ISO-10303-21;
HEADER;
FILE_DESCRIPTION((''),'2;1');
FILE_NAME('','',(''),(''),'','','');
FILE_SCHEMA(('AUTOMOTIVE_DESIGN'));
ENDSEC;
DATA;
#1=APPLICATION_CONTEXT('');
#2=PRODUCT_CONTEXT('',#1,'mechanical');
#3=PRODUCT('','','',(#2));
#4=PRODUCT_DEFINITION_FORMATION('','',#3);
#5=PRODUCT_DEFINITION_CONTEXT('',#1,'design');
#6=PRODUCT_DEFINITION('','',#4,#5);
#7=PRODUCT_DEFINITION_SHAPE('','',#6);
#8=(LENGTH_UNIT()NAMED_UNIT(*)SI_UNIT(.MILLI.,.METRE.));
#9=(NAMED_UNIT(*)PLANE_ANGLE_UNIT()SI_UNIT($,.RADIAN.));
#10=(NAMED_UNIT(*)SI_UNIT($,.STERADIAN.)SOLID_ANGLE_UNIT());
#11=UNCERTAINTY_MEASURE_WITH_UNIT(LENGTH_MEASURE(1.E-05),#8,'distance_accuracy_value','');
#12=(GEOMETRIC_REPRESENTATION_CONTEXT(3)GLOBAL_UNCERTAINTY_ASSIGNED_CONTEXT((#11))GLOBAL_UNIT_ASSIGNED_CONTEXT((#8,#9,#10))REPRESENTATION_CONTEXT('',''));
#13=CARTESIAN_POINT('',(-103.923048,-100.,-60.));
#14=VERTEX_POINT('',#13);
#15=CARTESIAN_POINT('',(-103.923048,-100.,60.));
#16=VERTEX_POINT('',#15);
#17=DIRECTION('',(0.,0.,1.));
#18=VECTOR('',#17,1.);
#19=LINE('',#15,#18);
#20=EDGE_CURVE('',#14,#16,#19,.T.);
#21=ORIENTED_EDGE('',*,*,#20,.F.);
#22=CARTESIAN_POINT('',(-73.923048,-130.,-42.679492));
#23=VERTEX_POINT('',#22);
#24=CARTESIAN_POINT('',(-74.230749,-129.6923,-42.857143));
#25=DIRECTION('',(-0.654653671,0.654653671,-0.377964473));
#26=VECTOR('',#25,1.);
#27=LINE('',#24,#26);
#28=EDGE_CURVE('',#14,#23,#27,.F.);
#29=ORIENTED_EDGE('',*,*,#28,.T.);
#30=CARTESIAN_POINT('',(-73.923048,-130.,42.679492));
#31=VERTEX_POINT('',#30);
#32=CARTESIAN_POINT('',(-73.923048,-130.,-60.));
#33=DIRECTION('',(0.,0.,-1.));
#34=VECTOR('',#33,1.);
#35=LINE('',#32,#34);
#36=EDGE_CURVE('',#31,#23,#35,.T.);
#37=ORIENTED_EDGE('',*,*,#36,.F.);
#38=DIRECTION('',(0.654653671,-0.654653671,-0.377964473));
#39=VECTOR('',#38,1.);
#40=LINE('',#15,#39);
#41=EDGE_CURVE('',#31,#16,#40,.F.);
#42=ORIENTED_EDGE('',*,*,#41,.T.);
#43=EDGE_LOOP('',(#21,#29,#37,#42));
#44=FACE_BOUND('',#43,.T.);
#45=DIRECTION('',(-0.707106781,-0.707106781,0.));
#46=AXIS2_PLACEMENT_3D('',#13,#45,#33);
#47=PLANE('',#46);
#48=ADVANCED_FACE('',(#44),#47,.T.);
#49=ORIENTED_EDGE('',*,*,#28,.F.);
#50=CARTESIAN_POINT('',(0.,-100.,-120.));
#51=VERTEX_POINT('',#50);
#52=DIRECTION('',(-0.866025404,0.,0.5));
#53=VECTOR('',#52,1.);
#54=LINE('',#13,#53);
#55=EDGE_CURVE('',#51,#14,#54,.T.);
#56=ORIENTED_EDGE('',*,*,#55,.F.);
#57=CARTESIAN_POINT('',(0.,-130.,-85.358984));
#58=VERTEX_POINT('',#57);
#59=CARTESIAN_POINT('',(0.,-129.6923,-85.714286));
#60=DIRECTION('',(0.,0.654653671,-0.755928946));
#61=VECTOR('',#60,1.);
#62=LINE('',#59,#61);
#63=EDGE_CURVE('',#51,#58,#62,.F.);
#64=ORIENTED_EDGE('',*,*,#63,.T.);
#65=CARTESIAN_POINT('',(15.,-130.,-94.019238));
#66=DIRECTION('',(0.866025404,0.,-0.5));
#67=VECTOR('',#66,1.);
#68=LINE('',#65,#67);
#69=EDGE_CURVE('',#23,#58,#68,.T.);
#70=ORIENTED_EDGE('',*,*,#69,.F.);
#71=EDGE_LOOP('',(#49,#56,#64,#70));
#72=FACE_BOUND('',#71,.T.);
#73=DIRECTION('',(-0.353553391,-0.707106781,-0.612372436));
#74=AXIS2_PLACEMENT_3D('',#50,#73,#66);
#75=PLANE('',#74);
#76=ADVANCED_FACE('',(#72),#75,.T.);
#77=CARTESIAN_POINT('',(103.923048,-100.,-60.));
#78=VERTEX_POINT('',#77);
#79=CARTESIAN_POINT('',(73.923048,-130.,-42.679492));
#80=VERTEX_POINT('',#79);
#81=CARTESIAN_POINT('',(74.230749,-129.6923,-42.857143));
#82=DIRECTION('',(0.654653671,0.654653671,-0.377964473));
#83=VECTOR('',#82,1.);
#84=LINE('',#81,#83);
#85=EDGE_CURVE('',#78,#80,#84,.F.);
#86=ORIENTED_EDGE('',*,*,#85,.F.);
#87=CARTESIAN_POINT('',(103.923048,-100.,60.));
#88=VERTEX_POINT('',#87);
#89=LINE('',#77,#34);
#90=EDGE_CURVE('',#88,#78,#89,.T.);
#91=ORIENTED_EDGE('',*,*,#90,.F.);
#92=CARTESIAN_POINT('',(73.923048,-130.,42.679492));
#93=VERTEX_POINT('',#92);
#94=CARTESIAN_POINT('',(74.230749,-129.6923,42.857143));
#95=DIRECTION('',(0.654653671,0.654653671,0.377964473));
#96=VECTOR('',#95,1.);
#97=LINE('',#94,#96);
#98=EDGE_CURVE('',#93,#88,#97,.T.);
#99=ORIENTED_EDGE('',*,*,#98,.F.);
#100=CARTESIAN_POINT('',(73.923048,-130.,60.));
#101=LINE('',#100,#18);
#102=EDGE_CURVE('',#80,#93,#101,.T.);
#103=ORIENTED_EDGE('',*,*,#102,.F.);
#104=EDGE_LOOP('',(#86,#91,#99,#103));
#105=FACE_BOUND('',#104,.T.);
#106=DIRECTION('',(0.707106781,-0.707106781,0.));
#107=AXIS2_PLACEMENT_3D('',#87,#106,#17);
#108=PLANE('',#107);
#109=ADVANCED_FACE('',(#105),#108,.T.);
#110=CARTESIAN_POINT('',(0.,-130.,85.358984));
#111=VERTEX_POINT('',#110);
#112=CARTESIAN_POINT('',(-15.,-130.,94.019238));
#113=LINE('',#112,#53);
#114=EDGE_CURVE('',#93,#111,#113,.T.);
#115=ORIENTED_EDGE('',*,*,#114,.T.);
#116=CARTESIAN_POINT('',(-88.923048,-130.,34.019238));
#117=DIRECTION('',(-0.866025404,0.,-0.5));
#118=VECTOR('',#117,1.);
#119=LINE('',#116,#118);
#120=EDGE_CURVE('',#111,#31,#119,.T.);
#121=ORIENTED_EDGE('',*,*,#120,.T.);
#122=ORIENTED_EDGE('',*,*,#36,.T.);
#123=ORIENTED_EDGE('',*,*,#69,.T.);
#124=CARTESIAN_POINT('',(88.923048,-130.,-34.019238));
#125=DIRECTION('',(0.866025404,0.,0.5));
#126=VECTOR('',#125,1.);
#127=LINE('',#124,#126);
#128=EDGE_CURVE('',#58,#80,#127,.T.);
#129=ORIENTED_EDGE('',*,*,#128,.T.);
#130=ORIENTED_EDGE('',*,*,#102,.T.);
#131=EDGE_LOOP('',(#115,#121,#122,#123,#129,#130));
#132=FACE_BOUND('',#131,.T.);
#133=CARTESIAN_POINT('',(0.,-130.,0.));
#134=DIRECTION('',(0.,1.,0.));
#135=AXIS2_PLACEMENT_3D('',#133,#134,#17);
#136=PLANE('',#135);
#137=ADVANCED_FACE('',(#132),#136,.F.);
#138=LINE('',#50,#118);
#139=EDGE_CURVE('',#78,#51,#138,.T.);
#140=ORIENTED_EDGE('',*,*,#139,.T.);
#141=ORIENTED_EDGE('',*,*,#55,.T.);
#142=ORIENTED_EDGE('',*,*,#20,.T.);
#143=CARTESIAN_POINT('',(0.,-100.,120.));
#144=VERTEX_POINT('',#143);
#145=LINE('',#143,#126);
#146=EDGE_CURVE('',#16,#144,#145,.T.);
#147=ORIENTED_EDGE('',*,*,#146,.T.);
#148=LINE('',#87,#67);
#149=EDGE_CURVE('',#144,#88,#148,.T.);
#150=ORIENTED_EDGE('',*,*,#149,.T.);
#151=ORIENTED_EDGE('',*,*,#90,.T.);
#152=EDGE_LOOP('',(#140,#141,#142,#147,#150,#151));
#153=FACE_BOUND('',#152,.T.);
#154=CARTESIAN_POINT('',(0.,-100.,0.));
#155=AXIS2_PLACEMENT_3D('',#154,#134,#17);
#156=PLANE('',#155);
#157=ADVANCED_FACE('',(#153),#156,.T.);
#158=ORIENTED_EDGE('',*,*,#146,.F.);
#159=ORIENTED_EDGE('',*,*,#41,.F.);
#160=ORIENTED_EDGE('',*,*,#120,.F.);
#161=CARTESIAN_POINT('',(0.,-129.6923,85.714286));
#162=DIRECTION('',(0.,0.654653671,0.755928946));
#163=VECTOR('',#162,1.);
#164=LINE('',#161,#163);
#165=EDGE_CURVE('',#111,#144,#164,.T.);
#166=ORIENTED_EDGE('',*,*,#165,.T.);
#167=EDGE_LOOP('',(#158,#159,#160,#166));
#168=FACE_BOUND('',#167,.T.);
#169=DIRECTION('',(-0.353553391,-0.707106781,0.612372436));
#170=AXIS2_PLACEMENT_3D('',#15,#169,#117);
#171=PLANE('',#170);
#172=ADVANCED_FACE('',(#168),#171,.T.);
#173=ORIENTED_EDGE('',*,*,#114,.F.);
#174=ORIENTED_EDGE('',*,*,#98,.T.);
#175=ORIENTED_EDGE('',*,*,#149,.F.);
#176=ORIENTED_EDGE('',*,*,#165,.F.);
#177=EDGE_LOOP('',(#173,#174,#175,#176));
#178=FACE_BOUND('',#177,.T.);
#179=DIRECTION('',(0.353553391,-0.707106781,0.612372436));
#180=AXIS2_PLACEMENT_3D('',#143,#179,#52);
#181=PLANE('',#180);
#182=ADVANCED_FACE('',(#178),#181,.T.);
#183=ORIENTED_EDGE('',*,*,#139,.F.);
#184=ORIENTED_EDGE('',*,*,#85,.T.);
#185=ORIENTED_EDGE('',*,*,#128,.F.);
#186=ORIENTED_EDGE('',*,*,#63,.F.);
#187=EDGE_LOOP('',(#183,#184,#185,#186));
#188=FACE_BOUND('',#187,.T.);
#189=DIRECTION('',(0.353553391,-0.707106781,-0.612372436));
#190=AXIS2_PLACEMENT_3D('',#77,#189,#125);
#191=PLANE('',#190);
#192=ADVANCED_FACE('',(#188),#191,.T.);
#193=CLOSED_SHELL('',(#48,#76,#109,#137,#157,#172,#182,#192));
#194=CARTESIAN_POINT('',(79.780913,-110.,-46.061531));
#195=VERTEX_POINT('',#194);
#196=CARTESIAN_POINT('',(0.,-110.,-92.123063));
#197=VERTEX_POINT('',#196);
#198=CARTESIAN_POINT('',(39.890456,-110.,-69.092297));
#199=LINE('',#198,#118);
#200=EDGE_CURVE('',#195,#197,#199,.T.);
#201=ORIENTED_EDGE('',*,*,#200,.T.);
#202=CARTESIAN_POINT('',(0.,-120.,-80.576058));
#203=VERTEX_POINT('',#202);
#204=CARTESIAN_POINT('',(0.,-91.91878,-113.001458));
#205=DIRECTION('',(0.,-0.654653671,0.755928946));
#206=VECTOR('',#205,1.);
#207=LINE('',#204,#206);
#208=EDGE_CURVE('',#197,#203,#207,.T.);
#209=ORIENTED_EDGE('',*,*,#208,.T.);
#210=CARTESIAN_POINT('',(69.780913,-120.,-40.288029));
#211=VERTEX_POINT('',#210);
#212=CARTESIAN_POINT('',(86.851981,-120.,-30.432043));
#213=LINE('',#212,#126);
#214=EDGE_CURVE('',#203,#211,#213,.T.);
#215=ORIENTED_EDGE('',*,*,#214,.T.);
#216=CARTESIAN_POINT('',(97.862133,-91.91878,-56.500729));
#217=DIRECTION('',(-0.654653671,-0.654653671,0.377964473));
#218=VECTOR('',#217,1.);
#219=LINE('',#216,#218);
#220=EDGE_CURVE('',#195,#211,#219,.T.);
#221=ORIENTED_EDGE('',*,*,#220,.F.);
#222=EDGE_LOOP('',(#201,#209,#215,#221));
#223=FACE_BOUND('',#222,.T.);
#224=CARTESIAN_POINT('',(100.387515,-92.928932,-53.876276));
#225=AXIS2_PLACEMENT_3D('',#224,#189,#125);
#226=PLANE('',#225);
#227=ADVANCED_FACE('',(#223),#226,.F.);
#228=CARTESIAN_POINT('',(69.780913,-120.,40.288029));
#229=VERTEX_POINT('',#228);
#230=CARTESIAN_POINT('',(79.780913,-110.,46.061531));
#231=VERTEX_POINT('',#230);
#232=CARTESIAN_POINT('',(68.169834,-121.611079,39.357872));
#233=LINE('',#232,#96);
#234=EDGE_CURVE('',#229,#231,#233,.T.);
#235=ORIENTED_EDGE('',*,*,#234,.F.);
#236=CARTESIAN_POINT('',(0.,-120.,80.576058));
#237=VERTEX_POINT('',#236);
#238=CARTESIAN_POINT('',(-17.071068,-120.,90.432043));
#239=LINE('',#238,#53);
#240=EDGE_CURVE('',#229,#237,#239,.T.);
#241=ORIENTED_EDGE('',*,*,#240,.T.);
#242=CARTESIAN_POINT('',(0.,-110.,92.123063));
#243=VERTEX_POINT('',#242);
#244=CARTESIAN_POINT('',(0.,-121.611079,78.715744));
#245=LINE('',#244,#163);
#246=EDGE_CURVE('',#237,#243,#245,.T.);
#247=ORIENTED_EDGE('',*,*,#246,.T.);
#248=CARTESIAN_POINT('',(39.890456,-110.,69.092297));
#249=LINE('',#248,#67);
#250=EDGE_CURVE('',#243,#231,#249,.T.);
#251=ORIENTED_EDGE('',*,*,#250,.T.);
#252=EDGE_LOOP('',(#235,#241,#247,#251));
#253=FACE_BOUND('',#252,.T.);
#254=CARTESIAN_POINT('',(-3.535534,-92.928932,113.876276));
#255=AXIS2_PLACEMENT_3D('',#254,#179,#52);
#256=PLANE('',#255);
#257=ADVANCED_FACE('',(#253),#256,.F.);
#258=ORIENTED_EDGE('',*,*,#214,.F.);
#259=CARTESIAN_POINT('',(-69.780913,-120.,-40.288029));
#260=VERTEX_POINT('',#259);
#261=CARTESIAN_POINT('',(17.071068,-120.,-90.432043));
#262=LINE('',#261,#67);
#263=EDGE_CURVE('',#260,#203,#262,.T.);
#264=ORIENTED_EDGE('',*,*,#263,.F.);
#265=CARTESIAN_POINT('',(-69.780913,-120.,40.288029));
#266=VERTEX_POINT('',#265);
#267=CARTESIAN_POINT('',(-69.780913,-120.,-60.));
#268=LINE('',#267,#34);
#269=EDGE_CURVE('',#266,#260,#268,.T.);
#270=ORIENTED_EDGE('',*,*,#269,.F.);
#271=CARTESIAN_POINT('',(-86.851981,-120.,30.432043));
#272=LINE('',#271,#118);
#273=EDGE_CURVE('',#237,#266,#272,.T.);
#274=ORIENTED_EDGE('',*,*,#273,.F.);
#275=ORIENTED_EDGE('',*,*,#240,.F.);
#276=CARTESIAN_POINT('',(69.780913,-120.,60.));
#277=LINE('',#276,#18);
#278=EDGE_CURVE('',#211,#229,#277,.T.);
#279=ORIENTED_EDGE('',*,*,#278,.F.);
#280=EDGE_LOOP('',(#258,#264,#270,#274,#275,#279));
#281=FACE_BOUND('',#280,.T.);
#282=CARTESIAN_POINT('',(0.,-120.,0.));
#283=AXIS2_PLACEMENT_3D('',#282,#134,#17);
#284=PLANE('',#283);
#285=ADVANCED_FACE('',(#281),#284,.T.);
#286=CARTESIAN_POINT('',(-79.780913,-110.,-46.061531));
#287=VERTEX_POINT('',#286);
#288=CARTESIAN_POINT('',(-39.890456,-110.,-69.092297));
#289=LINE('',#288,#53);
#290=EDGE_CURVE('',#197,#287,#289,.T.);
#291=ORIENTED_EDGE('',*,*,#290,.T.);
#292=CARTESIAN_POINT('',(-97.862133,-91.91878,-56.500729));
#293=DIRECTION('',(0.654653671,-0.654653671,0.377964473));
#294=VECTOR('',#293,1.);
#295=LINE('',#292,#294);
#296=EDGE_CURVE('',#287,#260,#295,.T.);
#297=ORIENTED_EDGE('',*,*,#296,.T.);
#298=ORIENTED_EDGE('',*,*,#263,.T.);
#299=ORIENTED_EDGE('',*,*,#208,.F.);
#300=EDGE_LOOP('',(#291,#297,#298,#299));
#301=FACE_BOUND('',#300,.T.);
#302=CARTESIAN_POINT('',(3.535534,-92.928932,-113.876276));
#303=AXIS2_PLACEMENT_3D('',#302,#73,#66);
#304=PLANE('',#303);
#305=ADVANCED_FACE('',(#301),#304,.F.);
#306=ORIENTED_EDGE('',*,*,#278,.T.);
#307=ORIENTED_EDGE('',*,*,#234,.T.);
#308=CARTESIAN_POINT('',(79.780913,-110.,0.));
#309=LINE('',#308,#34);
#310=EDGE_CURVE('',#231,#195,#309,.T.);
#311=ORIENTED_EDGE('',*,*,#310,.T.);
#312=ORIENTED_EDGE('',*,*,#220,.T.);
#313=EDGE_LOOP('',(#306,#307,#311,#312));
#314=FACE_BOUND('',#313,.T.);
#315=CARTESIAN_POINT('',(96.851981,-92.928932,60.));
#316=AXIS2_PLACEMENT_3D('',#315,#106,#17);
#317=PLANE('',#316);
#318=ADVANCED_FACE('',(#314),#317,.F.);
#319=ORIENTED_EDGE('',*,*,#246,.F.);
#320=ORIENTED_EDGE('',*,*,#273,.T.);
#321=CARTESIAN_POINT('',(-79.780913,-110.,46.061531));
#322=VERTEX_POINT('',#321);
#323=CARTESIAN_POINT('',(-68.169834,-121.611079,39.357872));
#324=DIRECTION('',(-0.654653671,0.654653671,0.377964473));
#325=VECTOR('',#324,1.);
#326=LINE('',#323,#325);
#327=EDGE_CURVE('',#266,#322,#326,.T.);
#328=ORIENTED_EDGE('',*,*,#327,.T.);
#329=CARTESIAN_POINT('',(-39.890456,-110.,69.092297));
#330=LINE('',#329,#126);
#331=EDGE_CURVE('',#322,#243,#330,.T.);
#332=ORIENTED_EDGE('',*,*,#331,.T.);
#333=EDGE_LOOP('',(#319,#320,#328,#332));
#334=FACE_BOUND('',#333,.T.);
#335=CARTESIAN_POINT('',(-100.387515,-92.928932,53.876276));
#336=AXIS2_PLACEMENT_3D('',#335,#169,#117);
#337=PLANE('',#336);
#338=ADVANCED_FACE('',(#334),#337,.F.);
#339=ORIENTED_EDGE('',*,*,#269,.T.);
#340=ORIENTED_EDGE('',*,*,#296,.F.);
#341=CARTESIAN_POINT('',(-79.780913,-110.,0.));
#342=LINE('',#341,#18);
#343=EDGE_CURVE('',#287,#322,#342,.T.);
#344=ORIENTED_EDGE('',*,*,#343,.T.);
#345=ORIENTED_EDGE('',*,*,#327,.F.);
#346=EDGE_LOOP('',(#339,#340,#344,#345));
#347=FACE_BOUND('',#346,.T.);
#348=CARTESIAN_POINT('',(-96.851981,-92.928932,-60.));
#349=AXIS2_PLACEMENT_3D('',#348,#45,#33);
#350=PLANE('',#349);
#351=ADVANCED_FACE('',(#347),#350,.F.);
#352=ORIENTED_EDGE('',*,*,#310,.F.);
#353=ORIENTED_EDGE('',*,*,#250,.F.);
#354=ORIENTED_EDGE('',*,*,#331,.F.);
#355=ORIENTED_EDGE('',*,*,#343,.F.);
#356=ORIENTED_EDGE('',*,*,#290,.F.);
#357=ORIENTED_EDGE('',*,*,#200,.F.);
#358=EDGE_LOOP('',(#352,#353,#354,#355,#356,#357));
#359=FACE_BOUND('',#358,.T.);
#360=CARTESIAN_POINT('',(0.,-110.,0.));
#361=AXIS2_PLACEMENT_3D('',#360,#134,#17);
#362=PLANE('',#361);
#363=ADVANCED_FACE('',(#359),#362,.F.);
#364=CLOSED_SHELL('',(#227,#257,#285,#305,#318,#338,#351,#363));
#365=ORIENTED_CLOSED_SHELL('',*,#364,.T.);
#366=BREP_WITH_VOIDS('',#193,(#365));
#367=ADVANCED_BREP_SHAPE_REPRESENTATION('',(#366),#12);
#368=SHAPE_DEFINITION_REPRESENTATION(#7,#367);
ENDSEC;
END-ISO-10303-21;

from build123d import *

# Parameters (mm, degrees)
RESSALTO_EXTRUS_O1_DEPTH = 130
CHANFRO1_SIZE            = 30
CORTE_EXTRUS_O1_DEPTH    = 50
ESBO_O5_R                = 15
CORTE_EXTRUS_O2_DEPTH    = 293.06163733
CASCA1_T                 = 10


with BuildPart() as part:
    # Esboço1 → Ressalto-extrusão1 (new body)
    with BuildSketch(Plane(origin=(0, 0, 0), x_dir=(1, 0, 0), z_dir=(0, 1, 0))):
        Polygon((0, 120), (-103.923048454, 60), (-103.923048454, -60), (0, -120), (103.923048454, -60), (103.923048454, 60), align=None)
    extrude(amount=-RESSALTO_EXTRUS_O1_DEPTH)

    # Chanfro1
    chanfro1_edges = [part.edges().sort_by_distance(p)[0] for p in [
        (-103.923048454, -130, 0),
        (-51.961524227, -130, 90),
        (51.961524227, -130, 90),
        (103.923048454, -130, 0),
        (51.961524227, -130, -90),
        (-51.961524227, -130, -90),
    ]]
    chamfer(chanfro1_edges, length=CHANFRO1_SIZE)

    # Esboço2 → Corte-extrusão1 (cut)
    with BuildSketch(Plane(origin=(0, 0, 0), x_dir=(1, 0, 0), z_dir=(0, 1, 0))):
        Polygon((0, 108.452994616), (-93.923048454, 54.226497308), (-93.923048454, -54.226497308), (0, -108.452994616), (93.923048454, -54.226497308), (93.923048454, 54.226497308), align=None)
    extrude(amount=-CORTE_EXTRUS_O1_DEPTH, mode=Mode.SUBTRACT)

    # Esboço5 → Corte-extrusão2 (cut, through all)
    with BuildSketch(Plane(origin=(-51.961524227, 0, 90), x_dir=(0.8660254037844417, 0, 0.49999999999999495), z_dir=(-0.49999999999999495, 0, 0.8660254037844417))):
        with Locations((0, -30)):
            Circle(ESBO_O5_R)
    extrude(amount=-CORTE_EXTRUS_O2_DEPTH, mode=Mode.SUBTRACT)

    # Corte de superfície1
    split(bisect_by=Plane(origin=(0, -50, 0), x_dir=(1, 0, 0), z_dir=(0, 1, 0)), keep=Keep.BOTTOM)

    # Corte de superfície2
    split(bisect_by=Plane(origin=(0, -100, 0), x_dir=(1, 0, 0), z_dir=(0, 1, 0)), keep=Keep.BOTTOM)

    # Casca1 (no face opened: a closed hollow body)
    add(offset(amount=-CASCA1_T, mode=Mode.PRIVATE), mode=Mode.SUBTRACT)


solid = part.part
